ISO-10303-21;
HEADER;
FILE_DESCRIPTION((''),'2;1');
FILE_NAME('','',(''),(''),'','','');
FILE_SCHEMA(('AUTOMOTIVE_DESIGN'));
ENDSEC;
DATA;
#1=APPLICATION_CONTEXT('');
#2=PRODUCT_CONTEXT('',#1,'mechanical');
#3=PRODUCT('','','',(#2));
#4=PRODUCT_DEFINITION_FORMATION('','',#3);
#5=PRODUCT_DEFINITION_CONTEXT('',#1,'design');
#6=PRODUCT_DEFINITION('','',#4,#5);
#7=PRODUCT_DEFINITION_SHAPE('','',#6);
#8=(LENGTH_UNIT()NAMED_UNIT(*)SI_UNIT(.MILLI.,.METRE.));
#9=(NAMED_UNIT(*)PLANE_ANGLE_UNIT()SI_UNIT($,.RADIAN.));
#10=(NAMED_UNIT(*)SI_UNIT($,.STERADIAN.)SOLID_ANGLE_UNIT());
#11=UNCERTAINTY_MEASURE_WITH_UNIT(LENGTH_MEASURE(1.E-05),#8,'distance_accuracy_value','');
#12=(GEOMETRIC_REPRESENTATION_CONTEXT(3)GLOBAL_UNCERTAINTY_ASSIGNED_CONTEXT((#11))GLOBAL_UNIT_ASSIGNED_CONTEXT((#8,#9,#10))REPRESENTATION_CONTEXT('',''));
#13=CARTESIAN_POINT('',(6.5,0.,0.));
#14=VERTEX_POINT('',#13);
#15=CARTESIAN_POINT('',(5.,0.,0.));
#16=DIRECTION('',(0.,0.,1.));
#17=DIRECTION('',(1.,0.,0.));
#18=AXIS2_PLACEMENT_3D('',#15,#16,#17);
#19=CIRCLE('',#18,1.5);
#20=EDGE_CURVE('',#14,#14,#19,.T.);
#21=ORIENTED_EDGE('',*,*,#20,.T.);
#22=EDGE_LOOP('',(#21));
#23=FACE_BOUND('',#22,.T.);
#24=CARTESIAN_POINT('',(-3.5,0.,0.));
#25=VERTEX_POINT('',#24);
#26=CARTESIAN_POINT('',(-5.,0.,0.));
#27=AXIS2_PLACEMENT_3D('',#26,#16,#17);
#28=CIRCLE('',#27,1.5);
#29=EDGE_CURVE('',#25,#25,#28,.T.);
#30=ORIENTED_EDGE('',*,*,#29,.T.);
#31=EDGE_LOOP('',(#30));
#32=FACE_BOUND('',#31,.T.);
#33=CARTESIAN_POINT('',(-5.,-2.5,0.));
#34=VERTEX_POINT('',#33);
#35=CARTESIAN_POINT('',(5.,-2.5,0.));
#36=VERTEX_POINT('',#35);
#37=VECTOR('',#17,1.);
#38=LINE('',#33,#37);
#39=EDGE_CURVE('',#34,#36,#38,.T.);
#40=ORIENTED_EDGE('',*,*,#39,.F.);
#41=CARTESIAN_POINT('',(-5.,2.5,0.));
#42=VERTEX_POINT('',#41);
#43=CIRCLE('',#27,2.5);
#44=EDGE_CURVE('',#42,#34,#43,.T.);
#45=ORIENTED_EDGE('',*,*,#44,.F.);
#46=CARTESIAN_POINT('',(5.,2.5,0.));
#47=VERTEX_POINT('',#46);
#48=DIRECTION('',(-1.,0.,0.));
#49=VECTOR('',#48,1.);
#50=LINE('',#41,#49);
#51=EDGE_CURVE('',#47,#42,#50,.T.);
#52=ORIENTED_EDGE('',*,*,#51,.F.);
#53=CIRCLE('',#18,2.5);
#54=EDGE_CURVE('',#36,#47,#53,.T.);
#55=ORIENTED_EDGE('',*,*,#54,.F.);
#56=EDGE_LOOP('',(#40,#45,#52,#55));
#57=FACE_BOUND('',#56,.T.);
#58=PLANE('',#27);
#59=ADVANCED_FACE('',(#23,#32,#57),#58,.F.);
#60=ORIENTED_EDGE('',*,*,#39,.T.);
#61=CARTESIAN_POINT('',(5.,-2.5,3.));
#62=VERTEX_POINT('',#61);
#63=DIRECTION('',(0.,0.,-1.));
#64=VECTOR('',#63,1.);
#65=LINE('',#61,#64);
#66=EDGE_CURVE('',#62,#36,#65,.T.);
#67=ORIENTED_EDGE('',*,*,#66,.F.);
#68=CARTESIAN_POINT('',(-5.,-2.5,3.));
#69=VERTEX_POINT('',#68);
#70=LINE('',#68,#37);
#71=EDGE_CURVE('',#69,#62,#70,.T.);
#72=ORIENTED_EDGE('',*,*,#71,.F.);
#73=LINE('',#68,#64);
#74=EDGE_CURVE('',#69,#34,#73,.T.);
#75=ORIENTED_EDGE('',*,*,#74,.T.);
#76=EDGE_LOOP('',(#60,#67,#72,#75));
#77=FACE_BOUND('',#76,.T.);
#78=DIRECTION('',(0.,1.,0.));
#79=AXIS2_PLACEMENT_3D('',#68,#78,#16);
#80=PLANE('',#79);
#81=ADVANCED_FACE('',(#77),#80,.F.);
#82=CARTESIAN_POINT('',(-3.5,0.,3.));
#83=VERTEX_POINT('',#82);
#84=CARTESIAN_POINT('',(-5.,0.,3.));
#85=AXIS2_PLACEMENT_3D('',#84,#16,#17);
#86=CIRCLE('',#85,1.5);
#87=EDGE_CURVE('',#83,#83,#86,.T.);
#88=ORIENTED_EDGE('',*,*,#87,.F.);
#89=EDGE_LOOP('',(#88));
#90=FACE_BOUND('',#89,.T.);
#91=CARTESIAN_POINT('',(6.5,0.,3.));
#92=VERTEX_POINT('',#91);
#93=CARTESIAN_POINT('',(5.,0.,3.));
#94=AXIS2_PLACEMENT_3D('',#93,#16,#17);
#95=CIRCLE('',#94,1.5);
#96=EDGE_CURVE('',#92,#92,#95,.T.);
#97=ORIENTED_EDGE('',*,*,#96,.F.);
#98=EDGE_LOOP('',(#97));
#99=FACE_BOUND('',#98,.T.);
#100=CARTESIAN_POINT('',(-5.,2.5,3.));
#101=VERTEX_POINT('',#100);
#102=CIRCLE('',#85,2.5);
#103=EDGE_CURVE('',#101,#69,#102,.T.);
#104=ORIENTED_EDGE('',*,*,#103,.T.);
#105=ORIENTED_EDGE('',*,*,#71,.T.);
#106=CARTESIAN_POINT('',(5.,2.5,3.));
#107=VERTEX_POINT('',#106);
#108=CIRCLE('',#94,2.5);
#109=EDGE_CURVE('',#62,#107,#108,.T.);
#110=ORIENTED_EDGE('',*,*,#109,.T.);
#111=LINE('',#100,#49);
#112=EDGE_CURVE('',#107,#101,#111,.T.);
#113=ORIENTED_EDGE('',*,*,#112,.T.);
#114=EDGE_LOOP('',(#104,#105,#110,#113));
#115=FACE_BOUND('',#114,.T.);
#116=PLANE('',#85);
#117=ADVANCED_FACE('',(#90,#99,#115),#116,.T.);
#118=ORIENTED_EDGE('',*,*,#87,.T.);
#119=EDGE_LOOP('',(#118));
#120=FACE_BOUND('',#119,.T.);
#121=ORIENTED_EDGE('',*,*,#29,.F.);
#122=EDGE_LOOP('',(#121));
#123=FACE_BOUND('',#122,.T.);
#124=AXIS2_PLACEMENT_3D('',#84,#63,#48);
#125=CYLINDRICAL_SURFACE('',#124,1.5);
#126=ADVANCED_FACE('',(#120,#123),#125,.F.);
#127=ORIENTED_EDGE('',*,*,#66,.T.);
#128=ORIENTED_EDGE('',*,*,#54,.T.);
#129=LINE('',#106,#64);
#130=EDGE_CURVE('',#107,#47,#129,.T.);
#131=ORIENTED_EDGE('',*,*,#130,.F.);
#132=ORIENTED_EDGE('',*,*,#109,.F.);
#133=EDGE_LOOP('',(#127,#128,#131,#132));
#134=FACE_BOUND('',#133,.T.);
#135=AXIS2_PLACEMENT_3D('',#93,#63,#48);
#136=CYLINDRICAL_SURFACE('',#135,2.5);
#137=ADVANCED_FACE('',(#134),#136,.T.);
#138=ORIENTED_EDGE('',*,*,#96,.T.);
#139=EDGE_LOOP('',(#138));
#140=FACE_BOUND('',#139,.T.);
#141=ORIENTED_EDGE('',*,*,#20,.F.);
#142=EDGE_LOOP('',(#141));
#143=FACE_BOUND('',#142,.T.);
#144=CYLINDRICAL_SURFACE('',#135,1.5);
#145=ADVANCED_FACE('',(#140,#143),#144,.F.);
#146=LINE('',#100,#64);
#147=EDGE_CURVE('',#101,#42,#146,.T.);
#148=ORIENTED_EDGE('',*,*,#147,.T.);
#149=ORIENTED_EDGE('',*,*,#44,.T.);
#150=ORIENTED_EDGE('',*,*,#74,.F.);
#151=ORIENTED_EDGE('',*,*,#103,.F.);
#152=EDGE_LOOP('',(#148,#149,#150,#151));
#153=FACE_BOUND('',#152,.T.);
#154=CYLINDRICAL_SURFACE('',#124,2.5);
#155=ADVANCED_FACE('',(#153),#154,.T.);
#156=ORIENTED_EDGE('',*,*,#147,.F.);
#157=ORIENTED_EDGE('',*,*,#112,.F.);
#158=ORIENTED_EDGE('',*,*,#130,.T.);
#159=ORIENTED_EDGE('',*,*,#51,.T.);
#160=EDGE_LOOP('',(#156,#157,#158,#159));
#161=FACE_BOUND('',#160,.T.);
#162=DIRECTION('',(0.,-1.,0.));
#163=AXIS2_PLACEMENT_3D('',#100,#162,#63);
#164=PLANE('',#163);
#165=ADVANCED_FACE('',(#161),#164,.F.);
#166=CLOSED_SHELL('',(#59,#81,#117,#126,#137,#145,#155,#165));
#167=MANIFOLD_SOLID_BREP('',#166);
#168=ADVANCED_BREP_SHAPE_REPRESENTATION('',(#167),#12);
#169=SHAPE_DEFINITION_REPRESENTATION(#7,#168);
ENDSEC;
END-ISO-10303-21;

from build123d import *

# Parameters (mm, degrees)
ESQUISSE1_R        = 1.5
BOSS_EXTRU_1_DEPTH = 3


with BuildPart() as part:
    # Esquisse1 → Boss.-Extru.1 (new body)
    with BuildSketch(Plane.XY):
        with BuildLine():
            Line((-5, 2.5), (5, 2.5))
            ThreePointArc((5, 2.5), (7.5, 0), (5, -2.5))
            Line((5, -2.5), (-5, -2.5))
            ThreePointArc((-5, -2.5), (-7.5, 0), (-5, 2.5))
        make_face()
        with Locations((-5, 0)):
            Circle(ESQUISSE1_R, mode=Mode.SUBTRACT)
        with Locations((5, 0)):
            Circle(ESQUISSE1_R, mode=Mode.SUBTRACT)
    extrude(amount=BOSS_EXTRU_1_DEPTH)


solid = part.part
